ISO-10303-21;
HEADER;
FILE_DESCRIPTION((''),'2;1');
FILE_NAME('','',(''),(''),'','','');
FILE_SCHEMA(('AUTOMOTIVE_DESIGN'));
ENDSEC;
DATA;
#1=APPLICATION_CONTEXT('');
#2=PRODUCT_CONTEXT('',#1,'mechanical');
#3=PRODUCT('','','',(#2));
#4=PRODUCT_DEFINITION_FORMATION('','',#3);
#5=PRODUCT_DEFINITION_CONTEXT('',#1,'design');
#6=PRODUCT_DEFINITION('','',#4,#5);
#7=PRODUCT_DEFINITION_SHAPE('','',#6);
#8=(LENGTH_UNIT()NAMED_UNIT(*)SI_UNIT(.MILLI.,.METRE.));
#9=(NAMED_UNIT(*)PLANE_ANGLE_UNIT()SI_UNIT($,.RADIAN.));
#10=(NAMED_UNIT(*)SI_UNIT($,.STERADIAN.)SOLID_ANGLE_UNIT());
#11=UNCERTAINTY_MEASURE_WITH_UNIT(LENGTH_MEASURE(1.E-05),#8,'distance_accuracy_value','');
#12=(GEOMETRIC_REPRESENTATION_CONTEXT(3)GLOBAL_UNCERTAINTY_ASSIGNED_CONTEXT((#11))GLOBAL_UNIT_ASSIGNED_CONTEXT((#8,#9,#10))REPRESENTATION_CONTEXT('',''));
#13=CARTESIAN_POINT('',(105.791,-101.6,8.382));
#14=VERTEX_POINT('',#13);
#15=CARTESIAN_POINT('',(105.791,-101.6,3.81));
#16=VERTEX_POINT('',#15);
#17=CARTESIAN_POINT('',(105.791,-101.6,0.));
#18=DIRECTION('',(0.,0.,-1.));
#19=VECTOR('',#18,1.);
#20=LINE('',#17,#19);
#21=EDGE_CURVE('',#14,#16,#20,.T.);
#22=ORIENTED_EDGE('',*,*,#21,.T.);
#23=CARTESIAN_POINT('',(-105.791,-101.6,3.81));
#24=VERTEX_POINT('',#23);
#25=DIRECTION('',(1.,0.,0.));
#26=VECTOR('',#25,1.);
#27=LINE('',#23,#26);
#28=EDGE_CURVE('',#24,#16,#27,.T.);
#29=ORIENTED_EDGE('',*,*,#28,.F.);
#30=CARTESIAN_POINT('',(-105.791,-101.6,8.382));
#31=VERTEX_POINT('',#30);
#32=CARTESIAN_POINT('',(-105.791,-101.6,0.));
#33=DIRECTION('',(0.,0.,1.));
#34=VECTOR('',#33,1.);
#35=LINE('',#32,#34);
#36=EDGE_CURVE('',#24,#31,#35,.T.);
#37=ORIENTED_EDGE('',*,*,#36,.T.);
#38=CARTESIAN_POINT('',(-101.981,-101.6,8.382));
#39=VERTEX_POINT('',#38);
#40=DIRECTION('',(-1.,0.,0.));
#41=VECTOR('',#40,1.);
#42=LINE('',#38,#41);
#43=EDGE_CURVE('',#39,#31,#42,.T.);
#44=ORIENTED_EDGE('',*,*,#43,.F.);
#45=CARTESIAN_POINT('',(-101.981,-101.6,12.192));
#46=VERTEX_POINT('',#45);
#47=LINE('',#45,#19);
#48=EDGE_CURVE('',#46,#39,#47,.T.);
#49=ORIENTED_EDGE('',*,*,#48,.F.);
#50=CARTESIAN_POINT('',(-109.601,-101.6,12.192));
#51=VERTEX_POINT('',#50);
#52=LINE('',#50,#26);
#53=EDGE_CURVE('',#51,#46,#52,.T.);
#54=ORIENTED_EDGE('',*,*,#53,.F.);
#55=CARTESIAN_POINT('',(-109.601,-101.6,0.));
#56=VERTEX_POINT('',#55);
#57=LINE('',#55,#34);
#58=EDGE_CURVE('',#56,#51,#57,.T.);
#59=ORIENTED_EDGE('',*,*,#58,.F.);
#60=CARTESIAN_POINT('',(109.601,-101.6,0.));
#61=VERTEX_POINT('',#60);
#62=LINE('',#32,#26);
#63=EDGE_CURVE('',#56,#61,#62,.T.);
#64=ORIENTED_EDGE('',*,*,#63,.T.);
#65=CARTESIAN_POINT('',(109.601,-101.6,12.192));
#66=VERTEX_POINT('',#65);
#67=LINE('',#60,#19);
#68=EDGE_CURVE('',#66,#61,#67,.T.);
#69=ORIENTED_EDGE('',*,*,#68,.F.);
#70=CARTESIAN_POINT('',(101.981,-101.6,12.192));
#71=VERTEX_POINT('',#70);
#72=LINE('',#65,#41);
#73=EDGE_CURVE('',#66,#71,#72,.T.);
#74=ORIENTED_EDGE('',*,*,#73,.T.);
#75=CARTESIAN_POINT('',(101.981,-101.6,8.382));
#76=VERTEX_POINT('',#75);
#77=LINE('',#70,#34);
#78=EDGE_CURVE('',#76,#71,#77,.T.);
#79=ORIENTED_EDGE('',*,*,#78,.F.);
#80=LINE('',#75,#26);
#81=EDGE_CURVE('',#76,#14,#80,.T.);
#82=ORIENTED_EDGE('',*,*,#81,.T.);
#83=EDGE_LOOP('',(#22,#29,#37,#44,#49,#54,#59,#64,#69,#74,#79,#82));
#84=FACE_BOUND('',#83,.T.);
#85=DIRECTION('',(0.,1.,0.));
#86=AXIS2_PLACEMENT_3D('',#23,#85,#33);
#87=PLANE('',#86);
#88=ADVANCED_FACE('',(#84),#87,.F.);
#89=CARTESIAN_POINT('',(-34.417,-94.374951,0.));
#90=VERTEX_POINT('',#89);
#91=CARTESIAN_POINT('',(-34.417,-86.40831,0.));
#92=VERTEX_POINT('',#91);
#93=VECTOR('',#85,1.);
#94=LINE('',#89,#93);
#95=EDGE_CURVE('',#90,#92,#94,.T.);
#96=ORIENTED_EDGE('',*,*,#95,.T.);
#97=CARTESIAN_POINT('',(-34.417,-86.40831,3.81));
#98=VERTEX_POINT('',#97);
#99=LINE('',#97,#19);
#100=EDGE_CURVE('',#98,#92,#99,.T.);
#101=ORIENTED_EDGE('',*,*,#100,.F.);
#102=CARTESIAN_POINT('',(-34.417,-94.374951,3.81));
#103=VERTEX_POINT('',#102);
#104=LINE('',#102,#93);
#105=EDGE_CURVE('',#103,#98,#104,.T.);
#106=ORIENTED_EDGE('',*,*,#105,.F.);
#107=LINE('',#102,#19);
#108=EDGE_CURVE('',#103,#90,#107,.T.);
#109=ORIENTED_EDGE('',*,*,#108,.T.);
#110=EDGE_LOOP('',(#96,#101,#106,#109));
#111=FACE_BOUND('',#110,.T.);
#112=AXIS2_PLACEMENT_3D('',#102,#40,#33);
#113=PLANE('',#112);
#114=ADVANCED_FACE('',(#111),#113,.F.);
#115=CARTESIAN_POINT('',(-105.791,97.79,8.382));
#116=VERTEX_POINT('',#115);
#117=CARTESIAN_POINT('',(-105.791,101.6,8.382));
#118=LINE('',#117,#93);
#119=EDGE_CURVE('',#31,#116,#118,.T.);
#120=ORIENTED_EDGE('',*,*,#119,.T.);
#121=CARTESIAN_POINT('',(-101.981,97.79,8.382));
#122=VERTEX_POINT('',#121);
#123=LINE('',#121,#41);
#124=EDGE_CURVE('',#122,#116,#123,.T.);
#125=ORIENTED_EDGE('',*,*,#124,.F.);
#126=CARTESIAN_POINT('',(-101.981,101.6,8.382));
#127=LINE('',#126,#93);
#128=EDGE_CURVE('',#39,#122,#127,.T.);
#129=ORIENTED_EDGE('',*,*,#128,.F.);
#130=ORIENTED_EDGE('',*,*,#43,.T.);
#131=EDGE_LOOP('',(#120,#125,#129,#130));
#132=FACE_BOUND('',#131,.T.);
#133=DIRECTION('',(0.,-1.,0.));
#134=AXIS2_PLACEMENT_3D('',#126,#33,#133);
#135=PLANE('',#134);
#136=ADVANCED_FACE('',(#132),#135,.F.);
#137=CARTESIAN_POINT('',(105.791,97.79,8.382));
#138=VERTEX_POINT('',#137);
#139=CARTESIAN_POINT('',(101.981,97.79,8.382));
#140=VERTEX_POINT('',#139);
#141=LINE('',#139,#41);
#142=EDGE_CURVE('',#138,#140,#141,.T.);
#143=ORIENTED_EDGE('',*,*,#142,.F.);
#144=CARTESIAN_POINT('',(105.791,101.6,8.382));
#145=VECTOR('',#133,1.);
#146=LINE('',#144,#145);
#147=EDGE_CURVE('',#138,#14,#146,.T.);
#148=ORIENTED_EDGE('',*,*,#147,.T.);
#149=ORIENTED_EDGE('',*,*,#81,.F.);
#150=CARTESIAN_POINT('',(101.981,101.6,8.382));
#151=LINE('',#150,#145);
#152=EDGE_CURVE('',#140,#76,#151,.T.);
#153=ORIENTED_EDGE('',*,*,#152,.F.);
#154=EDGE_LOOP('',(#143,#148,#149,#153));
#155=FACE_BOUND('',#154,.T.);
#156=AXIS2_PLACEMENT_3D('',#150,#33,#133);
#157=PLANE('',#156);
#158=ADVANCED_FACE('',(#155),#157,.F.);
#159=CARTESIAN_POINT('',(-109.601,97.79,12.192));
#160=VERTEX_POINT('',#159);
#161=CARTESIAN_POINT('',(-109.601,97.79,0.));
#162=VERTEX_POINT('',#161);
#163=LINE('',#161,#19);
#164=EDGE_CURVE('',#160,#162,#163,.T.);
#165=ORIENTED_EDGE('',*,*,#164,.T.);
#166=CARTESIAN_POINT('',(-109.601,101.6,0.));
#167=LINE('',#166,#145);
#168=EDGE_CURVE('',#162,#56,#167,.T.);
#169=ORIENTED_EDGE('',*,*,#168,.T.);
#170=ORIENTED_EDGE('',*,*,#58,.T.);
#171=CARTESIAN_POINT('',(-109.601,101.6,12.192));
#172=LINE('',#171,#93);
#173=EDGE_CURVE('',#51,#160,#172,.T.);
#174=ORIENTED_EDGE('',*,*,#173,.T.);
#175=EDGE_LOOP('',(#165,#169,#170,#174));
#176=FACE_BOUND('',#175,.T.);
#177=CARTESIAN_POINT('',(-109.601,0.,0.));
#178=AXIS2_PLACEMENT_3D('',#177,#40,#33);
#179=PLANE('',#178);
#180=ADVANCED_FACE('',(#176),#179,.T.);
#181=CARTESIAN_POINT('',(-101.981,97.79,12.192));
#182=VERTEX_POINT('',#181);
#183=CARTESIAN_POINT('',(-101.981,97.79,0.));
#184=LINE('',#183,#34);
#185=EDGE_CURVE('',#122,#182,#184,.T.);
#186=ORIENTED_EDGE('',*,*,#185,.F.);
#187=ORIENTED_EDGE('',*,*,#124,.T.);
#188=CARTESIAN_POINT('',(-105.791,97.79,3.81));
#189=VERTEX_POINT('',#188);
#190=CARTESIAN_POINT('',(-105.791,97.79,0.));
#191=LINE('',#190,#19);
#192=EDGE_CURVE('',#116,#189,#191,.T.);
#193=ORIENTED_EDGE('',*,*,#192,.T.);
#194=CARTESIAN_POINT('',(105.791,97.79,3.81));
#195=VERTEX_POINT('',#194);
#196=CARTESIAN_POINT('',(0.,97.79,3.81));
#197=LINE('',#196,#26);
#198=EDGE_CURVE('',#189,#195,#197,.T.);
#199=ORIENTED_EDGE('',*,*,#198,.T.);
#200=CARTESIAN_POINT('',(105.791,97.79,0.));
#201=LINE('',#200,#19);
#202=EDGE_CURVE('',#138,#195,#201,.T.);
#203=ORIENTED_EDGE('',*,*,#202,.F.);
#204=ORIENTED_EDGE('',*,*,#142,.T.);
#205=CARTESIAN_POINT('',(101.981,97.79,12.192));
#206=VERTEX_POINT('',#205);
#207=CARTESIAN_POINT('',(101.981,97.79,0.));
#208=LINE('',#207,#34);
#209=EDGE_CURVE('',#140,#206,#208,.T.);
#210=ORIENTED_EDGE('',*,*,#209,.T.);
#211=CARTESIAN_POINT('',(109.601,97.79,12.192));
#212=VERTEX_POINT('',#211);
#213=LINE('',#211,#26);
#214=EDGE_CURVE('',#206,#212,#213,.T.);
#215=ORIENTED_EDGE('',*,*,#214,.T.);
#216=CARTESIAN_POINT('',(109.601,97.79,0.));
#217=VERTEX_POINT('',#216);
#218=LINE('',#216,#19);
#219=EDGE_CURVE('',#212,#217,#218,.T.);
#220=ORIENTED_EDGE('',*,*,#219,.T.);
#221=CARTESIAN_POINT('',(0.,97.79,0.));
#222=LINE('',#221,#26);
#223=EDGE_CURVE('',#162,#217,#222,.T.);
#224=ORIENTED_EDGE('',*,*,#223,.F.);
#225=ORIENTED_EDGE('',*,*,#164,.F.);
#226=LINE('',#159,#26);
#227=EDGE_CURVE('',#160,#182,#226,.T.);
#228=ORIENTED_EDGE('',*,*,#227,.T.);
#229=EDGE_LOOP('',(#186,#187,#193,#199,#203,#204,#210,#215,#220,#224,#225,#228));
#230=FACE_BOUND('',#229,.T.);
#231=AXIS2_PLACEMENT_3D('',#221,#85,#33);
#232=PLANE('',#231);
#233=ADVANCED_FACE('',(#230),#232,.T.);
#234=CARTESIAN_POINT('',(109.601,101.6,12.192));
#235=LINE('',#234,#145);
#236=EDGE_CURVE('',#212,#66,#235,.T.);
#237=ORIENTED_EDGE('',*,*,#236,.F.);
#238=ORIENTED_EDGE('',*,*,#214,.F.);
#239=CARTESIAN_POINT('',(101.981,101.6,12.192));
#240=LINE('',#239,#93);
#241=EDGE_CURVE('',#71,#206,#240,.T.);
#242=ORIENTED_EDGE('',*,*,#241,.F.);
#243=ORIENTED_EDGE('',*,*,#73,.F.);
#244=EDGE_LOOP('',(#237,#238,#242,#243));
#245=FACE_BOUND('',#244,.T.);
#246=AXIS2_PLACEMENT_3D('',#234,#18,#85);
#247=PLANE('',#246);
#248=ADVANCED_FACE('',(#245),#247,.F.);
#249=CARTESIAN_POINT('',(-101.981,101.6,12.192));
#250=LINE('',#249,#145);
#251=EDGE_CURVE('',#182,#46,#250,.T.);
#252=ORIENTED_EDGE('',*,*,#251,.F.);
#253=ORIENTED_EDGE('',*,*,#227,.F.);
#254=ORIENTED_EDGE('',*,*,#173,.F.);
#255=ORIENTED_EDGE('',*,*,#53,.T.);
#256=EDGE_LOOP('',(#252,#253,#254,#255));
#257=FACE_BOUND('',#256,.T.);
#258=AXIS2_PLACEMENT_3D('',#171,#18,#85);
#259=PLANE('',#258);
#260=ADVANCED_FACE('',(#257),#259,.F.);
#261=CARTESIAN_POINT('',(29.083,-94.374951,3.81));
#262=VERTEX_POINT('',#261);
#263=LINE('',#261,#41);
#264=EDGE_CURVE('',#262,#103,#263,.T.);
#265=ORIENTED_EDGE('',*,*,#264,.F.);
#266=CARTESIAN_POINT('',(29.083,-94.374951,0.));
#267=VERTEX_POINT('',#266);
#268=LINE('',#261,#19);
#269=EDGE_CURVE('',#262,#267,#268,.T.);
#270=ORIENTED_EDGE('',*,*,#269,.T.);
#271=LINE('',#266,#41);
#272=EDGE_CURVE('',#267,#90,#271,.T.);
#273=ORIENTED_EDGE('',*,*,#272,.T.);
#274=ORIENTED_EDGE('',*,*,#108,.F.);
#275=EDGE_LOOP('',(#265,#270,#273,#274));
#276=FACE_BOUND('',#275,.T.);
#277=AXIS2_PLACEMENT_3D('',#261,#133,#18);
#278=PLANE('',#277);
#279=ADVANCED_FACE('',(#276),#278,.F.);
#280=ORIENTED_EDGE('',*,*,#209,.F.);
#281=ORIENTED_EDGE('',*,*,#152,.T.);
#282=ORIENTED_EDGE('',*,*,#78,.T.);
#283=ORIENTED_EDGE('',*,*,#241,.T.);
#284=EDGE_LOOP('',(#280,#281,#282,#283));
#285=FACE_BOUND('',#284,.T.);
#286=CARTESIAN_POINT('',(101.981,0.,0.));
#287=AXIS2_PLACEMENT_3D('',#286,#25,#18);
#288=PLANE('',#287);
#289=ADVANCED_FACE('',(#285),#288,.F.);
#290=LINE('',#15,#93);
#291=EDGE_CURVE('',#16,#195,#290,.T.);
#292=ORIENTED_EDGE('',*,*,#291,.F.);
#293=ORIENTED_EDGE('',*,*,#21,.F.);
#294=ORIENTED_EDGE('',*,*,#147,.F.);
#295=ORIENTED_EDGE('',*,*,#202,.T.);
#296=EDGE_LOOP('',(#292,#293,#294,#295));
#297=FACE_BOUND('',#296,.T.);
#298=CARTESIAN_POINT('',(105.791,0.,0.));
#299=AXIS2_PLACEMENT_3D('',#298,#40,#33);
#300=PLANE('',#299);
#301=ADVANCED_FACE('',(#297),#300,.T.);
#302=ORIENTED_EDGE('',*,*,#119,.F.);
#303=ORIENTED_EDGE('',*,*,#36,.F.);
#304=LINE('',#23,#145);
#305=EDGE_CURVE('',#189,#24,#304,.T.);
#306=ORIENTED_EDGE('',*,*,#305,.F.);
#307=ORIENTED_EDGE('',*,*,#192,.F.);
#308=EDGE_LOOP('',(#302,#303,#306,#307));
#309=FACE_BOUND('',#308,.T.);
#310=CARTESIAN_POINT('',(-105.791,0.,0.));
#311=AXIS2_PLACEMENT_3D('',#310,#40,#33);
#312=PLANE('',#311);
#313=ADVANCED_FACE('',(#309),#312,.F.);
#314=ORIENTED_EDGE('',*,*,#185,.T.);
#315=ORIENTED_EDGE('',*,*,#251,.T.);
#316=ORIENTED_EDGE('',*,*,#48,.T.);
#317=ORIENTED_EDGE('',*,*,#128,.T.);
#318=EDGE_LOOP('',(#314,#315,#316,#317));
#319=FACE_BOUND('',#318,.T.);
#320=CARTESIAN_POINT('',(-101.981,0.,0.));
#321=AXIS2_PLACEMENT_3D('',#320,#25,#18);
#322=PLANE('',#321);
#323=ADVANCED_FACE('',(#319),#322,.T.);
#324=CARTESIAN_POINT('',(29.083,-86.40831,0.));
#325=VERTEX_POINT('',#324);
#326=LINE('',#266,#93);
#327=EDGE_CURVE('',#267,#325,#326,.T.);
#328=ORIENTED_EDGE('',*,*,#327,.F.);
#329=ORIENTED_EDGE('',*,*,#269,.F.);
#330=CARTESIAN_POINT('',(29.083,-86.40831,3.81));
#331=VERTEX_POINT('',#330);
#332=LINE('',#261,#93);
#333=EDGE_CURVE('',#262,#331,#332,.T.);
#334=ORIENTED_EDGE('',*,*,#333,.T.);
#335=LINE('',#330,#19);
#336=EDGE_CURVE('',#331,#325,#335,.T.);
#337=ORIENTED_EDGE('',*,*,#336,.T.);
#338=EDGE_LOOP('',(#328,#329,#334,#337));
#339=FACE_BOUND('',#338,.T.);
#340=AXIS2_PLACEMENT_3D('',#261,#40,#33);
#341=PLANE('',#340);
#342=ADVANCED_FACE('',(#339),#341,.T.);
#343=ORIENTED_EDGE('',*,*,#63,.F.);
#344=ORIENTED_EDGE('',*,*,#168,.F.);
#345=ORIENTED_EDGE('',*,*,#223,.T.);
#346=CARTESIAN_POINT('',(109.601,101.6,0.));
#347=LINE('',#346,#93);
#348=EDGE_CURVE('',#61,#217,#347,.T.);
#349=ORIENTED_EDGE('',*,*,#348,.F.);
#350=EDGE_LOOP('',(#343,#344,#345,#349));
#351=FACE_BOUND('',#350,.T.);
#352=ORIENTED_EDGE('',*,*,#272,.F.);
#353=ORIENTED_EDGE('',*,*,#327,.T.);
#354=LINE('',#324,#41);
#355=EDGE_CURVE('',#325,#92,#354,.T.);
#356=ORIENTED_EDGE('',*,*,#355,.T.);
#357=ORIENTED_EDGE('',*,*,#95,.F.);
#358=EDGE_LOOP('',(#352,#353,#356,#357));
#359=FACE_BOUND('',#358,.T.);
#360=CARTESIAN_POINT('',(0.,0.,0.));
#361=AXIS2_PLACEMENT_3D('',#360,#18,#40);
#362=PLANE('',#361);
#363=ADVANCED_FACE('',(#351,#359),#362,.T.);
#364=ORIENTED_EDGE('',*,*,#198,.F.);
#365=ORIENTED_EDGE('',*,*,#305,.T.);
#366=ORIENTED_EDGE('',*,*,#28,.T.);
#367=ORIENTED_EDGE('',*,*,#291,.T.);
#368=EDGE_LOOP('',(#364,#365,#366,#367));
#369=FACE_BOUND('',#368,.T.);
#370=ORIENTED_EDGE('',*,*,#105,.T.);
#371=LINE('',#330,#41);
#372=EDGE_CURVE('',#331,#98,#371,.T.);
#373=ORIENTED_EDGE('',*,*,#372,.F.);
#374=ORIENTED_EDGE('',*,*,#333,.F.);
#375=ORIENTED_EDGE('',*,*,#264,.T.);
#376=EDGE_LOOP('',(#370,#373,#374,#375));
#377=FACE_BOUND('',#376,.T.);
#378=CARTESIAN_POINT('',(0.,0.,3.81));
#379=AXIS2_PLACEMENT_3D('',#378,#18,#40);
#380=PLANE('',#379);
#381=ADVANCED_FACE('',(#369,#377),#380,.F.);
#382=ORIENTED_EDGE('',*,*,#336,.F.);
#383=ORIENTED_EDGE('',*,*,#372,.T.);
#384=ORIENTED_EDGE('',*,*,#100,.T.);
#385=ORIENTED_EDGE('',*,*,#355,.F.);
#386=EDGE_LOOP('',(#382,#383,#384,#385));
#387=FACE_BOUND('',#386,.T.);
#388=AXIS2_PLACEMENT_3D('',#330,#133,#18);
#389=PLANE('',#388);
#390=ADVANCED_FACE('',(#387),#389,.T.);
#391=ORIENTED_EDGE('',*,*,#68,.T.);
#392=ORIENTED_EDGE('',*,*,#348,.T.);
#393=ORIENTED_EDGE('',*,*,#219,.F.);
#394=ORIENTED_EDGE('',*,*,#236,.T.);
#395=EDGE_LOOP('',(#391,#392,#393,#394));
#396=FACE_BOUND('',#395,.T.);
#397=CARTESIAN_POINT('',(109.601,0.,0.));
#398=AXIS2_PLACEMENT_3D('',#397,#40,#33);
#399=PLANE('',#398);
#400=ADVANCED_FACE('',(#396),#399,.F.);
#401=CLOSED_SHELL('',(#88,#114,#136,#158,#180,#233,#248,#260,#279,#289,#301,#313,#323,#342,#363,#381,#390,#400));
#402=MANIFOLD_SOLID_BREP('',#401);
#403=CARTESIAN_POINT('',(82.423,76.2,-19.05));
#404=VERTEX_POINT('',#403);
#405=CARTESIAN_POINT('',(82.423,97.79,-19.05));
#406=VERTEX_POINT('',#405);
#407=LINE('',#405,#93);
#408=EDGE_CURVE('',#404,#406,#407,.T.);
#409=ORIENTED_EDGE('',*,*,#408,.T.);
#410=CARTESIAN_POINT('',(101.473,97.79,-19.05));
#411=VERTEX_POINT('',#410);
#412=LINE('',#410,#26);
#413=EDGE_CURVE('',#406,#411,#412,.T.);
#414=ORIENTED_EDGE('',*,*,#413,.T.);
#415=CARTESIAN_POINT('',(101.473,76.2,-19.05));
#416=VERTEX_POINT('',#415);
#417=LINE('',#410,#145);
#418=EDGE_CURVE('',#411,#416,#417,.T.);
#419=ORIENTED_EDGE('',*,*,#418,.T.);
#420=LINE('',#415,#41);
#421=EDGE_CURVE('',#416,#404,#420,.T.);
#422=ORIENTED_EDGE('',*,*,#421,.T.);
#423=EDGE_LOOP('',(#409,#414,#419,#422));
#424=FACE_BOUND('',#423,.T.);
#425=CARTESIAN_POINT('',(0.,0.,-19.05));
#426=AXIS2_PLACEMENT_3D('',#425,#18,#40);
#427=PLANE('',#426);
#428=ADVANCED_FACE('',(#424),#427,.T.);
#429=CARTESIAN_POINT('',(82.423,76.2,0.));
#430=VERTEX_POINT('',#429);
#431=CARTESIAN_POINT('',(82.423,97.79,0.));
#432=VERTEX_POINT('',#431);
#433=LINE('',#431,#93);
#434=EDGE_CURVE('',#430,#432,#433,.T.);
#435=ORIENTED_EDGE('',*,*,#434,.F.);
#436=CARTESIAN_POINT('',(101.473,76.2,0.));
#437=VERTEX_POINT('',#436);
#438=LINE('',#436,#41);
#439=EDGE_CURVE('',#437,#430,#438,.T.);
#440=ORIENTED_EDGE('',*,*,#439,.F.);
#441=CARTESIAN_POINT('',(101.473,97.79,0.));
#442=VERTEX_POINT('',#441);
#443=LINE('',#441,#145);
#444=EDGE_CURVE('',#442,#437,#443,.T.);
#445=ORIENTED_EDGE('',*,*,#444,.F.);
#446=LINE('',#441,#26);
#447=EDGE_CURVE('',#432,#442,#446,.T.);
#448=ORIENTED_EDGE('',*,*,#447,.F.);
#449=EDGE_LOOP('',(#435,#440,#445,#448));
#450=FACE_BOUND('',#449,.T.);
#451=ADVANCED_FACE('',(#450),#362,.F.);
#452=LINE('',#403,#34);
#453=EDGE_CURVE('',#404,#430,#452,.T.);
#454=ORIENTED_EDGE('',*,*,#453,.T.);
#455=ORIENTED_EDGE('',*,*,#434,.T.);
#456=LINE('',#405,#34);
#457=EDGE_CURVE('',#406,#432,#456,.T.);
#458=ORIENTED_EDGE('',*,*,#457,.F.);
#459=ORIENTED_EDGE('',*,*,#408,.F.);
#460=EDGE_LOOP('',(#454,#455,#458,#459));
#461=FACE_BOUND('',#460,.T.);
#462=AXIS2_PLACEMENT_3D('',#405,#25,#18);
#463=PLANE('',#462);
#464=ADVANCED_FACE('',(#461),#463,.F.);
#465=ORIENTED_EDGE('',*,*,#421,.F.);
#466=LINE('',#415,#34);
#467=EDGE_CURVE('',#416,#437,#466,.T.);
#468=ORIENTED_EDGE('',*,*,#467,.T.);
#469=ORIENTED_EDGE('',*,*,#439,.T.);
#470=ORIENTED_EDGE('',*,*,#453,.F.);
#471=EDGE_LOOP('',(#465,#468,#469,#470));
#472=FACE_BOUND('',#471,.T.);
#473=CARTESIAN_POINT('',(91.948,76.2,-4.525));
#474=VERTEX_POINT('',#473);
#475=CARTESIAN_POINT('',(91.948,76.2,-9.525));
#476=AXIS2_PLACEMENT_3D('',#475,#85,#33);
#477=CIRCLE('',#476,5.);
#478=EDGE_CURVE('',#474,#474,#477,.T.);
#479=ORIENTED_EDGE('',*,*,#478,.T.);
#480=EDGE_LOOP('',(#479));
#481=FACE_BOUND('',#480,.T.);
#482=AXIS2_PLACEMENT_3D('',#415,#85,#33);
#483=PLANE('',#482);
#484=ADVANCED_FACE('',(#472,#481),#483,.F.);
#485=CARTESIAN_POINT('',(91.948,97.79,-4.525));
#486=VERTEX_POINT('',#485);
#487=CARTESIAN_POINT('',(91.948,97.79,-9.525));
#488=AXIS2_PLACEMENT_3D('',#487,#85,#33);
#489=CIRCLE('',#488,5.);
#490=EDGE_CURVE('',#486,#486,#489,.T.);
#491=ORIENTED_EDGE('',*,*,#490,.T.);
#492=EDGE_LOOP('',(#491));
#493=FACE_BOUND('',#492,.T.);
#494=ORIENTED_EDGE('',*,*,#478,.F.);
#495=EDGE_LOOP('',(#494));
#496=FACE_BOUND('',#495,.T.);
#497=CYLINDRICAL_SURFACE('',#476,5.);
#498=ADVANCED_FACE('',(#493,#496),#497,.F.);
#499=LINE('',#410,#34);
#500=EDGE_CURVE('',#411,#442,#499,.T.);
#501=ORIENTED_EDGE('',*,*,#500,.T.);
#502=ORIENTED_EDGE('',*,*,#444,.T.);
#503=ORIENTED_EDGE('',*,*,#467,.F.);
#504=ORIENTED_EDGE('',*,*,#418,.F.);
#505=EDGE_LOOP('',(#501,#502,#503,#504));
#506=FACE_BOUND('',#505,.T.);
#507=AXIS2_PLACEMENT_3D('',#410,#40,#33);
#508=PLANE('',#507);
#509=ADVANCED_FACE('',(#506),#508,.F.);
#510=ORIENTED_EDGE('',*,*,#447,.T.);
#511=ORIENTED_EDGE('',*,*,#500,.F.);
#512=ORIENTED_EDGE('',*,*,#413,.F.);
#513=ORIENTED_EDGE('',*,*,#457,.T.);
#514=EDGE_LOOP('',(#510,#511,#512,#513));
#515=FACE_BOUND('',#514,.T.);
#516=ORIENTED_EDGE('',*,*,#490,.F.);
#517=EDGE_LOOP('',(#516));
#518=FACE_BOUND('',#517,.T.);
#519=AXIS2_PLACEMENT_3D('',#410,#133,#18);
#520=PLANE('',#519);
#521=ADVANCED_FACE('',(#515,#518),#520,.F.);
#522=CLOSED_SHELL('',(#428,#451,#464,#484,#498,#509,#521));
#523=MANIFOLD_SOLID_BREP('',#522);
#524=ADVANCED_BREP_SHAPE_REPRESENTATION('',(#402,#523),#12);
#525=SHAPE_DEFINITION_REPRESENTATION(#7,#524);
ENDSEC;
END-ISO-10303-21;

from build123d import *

# Parameters (mm, degrees)
SKETCH2_W           = 211.582
SKETCH2_H           = 203.2
BOSS_EXTRUDE1_DEPTH = 3.81
SKETCH4_W           = 12.192
SKETCH4_H           = 203.2
BOSS_EXTRUDE2_DEPTH = 3.81
SKETCH5_W           = 12.192
SKETCH5_H           = 203.2
BOSS_EXTRUDE3_DEPTH = 3.81
SKETCH6_W           = 3.81
SKETCH6_H           = 203.2
BOSS_EXTRUDE4_DEPTH = 3.81
SKETCH7_W           = 3.81
SKETCH7_H           = 203.2
BOSS_EXTRUDE5_DEPTH = 3.81
SKETCH9_W           = 254.111946297
SKETCH9_H           = 63.326566198
CUT_EXTRUDE1_DEPTH  = 3.81
SKETCH10_W          = 19.05
SKETCH10_H          = 21.59
BOSS_EXTRUDE6_DEPTH = 19.05
SKETCH11_R          = 5
CUT_EXTRUDE2_DEPTH  = 21.59
SKETCH13_W          = 63.5
SKETCH13_H          = 7.966641974
CUT_EXTRUDE3_DEPTH  = 3.81


with BuildPart() as part:
    # Sketch2 → Boss-Extrude1 (new body)
    with BuildSketch(Plane.XY):
        Rectangle(SKETCH2_W, SKETCH2_H)
    extrude(amount=BOSS_EXTRUDE1_DEPTH)

    # Sketch4 → Boss-Extrude2 (add)
    with BuildSketch(Plane.ZY.offset(105.791)):
        with Locations((6.096, 0)):
            Rectangle(SKETCH4_W, SKETCH4_H)
    extrude(amount=BOSS_EXTRUDE2_DEPTH)

    # Sketch5 → Boss-Extrude3 (add)
    with BuildSketch(Plane(origin=(105.791, 0, 0), x_dir=(0, 0, -1), z_dir=(1, 0, 0))):
        with Locations((-6.096, 0)):
            Rectangle(SKETCH5_W, SKETCH5_H)
    extrude(amount=BOSS_EXTRUDE3_DEPTH)

    # Sketch6 → Boss-Extrude4 (add)
    with BuildSketch(Plane.ZY.offset(-105.791)):
        with Locations((10.287, 0)):
            Rectangle(SKETCH6_W, SKETCH6_H)
    extrude(amount=BOSS_EXTRUDE4_DEPTH)

    # Sketch7 → Boss-Extrude5 (add)
    with BuildSketch(Plane(origin=(-105.791, 0, 0), x_dir=(0, 0, -1), z_dir=(1, 0, 0))):
        with Locations((-10.287, 0)):
            Rectangle(SKETCH7_W, SKETCH7_H)
    extrude(amount=BOSS_EXTRUDE5_DEPTH)

    # Sketch9 → Cut-Extrude1 (cut)
    with BuildSketch(Plane(origin=(0, 101.6, 0), x_dir=(1, 0, 0), z_dir=(0, 1, 0))):
        with Locations((-4.27011197, -1.772499308)):
            Rectangle(SKETCH9_W, SKETCH9_H)
    extrude(amount=-CUT_EXTRUDE1_DEPTH, mode=Mode.SUBTRACT)

    # Sketch13 → Cut-Extrude3 (cut)
    with BuildSketch(Plane(origin=(0, 0, 0), x_dir=(-1, 0, 0), z_dir=(0, 0, -1))):
        with Locations((2.667, -90.391630491)):
            Rectangle(SKETCH13_W, SKETCH13_H)
    extrude(amount=-CUT_EXTRUDE3_DEPTH, mode=Mode.SUBTRACT)


with BuildPart() as body_2:
    # Sketch10 → Boss-Extrude6 (new body)
    with BuildSketch(Plane(origin=(0, 0, 0), x_dir=(-1, 0, 0), z_dir=(0, 0, -1))):
        with Locations((-91.948, 86.995)):
            Rectangle(SKETCH10_W, SKETCH10_H)
    extrude(amount=BOSS_EXTRUDE6_DEPTH)

    # Sketch11 → Cut-Extrude2 (cut)
    with BuildSketch(Plane(origin=(0, 97.79, 0), x_dir=(1, 0, 0), z_dir=(0, 1, 0))):
        with Locations(Location((91.948, 9.525, 0), (0, 0, 270))):
            Circle(SKETCH11_R)
    extrude(amount=-CUT_EXTRUDE2_DEPTH, mode=Mode.SUBTRACT)


solid = Compound([part.part, body_2.part])
